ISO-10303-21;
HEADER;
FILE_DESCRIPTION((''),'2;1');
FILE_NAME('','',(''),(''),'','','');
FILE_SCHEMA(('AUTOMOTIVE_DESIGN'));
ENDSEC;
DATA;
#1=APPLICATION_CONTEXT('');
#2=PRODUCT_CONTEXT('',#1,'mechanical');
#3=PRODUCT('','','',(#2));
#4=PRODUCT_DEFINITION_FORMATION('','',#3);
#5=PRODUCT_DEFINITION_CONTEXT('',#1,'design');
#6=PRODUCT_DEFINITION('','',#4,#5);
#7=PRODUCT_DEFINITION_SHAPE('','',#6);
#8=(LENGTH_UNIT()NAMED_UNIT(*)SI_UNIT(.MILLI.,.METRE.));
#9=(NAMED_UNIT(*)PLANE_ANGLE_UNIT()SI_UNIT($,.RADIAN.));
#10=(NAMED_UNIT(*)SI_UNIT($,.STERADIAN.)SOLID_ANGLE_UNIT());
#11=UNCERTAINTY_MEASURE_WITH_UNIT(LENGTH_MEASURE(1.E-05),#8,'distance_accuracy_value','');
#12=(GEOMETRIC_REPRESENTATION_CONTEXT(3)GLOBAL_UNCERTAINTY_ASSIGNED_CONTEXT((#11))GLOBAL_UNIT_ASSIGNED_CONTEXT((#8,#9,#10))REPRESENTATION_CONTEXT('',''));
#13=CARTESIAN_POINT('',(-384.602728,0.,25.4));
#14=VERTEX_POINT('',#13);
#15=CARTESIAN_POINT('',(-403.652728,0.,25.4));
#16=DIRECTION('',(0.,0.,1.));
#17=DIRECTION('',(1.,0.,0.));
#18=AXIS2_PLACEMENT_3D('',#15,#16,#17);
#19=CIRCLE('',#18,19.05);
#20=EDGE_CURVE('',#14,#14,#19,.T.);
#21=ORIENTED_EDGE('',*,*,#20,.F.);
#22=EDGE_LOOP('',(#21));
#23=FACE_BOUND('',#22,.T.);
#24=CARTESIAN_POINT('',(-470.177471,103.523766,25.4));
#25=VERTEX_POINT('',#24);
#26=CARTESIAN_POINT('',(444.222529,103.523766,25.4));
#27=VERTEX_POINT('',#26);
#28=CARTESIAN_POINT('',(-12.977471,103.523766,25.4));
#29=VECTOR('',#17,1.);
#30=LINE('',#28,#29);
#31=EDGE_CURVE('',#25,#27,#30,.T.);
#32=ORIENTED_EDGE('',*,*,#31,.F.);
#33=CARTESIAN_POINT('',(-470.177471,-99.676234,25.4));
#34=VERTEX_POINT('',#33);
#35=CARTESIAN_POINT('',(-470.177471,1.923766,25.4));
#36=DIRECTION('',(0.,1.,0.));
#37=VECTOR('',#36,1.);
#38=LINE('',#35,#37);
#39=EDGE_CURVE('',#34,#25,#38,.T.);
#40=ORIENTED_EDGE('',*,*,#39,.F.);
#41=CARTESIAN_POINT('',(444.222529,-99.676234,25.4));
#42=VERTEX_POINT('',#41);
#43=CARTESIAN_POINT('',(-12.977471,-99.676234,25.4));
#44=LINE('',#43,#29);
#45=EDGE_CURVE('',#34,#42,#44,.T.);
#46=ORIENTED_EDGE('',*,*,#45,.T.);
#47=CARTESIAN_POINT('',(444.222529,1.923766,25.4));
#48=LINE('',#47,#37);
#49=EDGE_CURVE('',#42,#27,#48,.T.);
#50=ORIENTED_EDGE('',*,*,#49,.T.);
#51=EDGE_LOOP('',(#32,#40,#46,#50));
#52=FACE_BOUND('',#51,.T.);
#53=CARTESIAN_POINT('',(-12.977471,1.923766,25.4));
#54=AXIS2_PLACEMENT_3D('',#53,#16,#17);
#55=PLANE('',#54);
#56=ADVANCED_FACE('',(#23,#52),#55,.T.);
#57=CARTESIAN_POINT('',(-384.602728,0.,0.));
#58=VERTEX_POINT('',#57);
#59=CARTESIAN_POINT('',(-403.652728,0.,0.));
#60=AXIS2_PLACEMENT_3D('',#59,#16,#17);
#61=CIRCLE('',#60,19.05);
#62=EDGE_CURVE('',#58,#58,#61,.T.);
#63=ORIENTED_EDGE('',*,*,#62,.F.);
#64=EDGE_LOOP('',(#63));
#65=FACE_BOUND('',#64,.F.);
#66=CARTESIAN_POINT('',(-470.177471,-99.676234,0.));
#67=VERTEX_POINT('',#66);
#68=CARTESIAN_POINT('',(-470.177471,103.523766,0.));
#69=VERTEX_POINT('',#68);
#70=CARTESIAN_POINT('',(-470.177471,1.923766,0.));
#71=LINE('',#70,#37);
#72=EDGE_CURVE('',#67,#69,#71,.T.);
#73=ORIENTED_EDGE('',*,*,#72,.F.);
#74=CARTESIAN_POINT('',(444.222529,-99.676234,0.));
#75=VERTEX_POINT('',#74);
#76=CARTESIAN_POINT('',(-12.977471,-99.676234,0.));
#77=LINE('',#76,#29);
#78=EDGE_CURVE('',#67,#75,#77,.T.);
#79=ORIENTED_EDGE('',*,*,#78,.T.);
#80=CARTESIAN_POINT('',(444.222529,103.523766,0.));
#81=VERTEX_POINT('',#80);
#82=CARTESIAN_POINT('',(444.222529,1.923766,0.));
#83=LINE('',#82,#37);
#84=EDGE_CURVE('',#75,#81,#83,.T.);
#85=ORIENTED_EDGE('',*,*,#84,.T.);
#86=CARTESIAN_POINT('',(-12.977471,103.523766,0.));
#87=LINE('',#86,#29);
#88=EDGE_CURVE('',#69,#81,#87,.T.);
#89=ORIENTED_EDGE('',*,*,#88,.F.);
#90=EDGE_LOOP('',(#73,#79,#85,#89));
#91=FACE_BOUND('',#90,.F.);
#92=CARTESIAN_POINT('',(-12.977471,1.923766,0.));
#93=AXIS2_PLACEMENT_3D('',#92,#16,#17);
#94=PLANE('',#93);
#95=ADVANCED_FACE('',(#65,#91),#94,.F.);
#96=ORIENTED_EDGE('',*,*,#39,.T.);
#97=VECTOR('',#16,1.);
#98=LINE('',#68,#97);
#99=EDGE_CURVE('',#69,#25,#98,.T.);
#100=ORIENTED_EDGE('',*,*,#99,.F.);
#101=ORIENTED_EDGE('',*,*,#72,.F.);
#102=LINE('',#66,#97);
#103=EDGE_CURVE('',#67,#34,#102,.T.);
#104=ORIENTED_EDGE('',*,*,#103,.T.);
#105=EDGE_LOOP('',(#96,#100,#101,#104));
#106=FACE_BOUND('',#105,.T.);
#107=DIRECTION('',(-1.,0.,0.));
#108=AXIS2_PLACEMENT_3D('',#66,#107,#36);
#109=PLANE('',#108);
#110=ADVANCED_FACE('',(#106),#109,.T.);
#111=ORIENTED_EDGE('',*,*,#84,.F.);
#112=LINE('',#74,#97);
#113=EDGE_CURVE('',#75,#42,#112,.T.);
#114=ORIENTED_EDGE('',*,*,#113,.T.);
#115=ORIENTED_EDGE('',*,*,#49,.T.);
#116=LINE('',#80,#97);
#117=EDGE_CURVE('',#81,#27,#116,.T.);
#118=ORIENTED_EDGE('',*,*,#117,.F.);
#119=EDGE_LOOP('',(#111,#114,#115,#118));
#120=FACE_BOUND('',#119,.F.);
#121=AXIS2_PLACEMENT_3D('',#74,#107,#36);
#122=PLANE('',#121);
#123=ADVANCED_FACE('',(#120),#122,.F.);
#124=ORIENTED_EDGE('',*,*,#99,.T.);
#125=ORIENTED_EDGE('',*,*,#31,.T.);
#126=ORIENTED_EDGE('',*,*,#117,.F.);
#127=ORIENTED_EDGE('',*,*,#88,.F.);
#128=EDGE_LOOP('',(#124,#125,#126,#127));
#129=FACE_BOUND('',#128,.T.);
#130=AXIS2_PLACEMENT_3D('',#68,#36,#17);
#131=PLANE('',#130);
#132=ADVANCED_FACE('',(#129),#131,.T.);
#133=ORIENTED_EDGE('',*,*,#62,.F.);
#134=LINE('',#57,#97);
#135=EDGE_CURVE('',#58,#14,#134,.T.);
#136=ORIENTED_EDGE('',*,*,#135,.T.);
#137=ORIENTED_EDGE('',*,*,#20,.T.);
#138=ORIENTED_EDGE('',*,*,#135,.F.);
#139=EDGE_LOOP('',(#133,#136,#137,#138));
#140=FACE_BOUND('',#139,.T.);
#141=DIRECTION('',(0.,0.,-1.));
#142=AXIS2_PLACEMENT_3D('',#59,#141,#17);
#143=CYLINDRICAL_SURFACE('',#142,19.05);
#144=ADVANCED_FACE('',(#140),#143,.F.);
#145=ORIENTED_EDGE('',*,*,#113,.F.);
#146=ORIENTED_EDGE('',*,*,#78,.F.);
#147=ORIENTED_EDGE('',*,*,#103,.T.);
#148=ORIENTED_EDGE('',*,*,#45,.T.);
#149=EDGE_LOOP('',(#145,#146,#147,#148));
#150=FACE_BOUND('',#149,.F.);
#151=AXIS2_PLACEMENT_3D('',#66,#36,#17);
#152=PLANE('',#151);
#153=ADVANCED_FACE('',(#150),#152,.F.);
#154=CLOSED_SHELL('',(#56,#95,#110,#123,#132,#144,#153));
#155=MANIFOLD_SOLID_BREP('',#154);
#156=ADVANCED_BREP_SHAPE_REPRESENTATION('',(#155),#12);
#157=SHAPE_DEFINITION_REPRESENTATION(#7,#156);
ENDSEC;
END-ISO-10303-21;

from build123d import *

# Parameters (mm, degrees)
F0_W     = 914.4
F0_H     = 203.2
F0_R     = 19.05
F1_DEPTH = 25.4


with BuildPart() as f1:
    # F0 (on Top) → F1 (new body)
    with BuildSketch(Plane.XY):
        with Locations((-12.977471, 1.923766)):
            Rectangle(F0_W, F0_H)
        with Locations((-403.652728, 0)):
            Circle(F0_R, mode=Mode.SUBTRACT)
    extrude(amount=F1_DEPTH)


solid = f1.part
